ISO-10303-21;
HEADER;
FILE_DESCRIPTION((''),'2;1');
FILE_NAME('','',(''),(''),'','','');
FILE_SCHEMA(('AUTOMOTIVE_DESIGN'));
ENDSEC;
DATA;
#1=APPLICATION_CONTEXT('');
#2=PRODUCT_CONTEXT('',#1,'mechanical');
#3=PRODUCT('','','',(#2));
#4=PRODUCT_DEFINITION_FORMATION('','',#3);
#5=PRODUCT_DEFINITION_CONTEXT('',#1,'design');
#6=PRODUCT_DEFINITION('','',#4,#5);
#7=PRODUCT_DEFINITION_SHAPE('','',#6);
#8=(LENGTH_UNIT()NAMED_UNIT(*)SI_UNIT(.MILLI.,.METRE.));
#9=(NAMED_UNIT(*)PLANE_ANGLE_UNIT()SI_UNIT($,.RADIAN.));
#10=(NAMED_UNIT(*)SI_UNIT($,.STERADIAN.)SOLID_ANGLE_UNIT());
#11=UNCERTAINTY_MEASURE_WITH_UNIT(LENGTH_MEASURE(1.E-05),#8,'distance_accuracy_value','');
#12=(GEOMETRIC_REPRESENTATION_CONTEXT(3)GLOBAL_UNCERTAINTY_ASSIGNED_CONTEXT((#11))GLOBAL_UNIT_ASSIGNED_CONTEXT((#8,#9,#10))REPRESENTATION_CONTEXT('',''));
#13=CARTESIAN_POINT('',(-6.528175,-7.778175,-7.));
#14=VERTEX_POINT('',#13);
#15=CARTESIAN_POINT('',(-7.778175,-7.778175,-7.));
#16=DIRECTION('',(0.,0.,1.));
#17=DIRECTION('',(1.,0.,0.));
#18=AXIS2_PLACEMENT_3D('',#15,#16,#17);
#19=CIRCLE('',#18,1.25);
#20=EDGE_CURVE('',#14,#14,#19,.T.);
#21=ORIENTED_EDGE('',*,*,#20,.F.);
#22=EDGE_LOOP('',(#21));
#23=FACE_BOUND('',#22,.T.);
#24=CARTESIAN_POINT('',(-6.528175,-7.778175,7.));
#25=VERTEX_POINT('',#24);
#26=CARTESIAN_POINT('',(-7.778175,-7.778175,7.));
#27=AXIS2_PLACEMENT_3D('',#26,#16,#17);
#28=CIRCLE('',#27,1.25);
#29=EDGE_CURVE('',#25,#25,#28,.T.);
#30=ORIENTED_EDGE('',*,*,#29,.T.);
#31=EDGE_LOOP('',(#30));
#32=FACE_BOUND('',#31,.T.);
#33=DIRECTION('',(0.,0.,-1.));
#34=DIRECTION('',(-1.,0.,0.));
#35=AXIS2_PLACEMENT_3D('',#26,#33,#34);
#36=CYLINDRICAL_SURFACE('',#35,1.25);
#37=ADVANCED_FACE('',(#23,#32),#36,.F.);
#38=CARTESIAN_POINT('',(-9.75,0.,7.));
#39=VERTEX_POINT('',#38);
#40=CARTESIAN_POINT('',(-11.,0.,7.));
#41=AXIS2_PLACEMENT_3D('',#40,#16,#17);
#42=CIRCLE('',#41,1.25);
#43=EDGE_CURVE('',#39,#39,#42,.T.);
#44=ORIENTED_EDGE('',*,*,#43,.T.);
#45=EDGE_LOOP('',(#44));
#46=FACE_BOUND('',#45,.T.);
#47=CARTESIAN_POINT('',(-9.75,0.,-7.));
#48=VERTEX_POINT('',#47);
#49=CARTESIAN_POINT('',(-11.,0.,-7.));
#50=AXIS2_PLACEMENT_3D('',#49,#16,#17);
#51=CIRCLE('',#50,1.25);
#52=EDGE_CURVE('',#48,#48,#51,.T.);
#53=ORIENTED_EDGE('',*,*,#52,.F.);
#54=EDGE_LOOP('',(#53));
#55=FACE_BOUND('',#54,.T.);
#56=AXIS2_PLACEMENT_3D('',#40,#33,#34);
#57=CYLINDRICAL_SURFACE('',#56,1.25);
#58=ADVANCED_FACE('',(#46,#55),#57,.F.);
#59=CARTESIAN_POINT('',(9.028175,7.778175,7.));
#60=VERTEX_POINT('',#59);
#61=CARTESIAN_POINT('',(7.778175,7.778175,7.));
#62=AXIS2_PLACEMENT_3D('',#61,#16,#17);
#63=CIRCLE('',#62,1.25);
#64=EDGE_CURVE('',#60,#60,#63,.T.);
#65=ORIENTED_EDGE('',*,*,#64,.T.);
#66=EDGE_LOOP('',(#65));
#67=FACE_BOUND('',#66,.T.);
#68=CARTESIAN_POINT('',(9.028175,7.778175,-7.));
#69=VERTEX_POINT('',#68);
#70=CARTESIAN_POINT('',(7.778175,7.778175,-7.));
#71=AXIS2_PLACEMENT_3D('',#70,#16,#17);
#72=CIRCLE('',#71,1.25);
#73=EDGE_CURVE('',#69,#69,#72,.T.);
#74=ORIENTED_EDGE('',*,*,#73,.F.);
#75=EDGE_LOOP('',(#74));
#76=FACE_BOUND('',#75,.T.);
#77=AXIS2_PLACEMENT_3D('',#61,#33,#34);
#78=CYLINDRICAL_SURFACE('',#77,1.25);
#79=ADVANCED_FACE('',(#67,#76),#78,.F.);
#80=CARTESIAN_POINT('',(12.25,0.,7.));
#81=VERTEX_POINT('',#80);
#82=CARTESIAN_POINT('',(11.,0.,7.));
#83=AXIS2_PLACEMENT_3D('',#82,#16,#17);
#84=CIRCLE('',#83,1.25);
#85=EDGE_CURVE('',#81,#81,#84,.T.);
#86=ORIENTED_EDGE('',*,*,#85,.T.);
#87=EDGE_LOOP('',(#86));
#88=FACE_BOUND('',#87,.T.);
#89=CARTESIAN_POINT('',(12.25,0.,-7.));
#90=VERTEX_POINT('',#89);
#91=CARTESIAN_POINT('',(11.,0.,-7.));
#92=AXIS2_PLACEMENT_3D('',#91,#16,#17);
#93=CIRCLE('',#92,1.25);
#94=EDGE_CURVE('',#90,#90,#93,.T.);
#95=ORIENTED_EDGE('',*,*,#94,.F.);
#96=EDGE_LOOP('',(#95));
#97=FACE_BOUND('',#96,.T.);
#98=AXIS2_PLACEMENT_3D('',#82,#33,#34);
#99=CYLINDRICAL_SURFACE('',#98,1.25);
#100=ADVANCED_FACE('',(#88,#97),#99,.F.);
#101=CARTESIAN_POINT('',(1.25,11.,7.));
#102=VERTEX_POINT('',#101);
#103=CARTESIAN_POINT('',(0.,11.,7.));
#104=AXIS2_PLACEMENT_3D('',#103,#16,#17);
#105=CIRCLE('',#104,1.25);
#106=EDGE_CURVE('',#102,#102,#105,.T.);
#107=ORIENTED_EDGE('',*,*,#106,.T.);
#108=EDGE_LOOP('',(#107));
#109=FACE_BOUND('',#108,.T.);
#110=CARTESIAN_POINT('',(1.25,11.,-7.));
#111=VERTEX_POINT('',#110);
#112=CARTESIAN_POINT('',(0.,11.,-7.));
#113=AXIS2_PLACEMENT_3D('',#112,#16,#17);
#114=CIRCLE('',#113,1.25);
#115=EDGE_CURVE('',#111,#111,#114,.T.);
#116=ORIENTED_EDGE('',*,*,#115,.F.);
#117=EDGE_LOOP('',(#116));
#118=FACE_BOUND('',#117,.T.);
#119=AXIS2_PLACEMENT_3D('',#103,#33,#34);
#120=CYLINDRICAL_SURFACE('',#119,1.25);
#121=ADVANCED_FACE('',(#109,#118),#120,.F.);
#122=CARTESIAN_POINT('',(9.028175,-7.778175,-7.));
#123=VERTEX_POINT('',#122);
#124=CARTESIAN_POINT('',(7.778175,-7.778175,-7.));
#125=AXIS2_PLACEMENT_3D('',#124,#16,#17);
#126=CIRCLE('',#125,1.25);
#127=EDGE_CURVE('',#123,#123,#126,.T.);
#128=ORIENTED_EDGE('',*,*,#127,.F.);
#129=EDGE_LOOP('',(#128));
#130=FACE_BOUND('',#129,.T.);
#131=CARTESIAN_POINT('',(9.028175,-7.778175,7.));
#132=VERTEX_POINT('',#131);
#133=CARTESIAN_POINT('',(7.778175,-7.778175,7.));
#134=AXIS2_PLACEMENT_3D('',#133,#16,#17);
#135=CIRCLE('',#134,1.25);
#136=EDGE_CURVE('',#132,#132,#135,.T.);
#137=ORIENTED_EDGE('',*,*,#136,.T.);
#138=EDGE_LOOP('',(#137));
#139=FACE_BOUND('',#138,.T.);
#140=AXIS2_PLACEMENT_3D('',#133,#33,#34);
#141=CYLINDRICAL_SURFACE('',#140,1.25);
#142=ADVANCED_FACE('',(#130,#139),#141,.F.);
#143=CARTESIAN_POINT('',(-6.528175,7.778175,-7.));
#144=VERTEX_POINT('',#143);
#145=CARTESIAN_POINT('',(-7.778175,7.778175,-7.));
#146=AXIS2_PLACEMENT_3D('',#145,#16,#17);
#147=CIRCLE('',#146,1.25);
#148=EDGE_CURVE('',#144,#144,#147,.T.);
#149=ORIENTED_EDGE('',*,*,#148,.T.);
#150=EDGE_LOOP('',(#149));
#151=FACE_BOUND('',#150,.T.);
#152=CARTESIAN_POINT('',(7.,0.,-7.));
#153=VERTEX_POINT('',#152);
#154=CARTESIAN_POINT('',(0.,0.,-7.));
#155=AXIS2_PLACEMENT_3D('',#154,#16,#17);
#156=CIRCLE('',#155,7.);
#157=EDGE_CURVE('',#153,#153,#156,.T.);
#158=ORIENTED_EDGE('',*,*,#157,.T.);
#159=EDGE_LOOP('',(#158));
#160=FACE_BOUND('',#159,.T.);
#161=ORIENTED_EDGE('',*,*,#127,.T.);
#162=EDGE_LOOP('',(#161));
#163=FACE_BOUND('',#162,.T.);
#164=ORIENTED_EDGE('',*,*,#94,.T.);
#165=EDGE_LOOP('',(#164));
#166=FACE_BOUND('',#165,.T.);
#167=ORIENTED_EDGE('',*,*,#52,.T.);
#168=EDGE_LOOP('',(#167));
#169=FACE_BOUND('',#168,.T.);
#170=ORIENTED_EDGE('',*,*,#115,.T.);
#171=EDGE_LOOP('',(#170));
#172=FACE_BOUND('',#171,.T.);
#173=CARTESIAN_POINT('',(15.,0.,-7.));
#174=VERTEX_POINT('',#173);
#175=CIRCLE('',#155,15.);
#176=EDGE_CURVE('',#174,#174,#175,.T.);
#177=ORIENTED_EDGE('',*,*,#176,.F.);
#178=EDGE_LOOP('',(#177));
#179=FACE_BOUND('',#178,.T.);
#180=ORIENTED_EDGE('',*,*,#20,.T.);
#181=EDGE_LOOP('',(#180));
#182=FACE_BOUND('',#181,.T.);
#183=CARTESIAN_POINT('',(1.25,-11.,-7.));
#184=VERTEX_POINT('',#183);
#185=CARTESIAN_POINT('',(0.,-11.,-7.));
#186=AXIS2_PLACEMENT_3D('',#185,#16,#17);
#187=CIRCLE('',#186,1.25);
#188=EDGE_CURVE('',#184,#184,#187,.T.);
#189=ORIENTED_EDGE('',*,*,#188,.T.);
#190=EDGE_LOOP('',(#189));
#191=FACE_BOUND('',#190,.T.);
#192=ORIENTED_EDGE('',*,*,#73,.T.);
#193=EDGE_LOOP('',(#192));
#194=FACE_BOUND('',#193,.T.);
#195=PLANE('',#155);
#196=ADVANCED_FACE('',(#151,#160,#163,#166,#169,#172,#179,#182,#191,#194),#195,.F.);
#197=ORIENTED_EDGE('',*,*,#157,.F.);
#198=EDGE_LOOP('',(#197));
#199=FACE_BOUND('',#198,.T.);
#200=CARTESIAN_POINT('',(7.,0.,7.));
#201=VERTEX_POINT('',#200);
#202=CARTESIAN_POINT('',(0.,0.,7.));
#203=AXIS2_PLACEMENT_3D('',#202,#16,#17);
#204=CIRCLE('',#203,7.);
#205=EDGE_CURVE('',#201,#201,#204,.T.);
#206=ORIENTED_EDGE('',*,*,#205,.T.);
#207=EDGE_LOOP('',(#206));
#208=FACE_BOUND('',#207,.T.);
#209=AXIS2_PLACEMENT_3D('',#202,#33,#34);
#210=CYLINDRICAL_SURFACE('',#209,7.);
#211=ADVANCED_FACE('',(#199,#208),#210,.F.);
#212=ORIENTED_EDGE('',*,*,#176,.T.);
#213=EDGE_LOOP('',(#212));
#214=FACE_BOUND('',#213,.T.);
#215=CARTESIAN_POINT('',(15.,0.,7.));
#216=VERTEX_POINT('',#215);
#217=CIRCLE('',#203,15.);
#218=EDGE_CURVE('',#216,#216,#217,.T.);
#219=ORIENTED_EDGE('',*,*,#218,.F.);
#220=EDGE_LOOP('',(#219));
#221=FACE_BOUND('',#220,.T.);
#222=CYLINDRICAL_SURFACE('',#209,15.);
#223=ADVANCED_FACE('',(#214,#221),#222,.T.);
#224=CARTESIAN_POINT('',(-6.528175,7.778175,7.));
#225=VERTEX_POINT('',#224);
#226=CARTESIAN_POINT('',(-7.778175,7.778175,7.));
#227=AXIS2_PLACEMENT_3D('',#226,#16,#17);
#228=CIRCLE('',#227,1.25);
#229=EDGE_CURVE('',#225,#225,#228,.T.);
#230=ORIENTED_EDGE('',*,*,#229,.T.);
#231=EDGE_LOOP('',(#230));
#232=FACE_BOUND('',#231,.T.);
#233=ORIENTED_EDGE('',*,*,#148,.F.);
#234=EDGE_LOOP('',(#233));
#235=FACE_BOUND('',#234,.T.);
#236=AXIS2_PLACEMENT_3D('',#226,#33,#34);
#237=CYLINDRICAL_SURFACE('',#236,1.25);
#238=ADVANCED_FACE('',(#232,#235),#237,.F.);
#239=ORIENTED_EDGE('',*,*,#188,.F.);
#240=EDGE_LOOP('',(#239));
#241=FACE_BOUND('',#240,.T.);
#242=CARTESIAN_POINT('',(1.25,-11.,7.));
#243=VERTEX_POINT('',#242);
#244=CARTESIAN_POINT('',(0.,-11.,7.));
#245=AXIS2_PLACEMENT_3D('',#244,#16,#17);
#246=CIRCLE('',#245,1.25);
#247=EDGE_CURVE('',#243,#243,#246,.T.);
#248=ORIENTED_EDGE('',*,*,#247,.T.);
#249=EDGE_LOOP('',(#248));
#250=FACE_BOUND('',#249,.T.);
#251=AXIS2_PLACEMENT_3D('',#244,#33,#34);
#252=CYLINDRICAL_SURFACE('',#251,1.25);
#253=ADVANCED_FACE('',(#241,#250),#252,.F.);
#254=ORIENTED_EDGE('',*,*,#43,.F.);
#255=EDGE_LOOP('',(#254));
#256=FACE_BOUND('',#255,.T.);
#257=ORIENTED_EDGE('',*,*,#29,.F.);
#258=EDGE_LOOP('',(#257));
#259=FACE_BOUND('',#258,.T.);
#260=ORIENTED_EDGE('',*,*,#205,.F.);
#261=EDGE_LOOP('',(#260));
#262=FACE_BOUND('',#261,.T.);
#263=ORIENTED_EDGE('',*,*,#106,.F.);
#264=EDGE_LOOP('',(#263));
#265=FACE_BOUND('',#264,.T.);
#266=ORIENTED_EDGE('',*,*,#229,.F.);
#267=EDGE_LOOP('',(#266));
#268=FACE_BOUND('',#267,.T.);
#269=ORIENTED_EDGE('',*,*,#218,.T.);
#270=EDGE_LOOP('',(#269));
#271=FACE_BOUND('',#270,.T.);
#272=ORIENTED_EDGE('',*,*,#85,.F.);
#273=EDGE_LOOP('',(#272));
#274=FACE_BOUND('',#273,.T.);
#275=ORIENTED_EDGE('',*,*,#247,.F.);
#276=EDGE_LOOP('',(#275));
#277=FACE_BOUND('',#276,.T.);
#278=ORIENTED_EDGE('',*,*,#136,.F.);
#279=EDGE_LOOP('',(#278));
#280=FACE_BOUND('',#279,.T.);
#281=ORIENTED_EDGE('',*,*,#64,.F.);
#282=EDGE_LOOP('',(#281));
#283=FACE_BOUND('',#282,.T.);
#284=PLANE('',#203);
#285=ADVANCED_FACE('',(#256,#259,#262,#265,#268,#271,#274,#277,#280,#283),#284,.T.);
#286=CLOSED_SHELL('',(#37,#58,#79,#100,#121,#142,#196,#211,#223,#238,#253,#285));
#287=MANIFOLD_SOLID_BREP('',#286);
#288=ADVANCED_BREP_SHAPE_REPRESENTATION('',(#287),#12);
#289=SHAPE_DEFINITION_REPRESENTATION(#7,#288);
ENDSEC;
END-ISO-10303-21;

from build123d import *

# Parameters (mm, degrees)
ESBO_O1_R                = 15
ESBO_O1_R_2              = 7
ESBO_O1_R_3              = 1.25
RESSALTO_EXTRUS_O1_DEPTH = 7


with BuildPart() as part:
    # Esboço1 → Ressalto-extrusão1 (new, symmetric)
    with BuildSketch(Plane.XY):
        Circle(ESBO_O1_R)
        Circle(ESBO_O1_R_2, mode=Mode.SUBTRACT)
        with Locations((0, 11)):
            Circle(ESBO_O1_R_3, mode=Mode.SUBTRACT)
        with Locations((7.778174593, 7.778174593)):
            Circle(ESBO_O1_R_3, mode=Mode.SUBTRACT)
        with Locations((11, 0)):
            Circle(ESBO_O1_R_3, mode=Mode.SUBTRACT)
        with Locations((7.778174593, -7.778174593)):
            Circle(ESBO_O1_R_3, mode=Mode.SUBTRACT)
        with Locations((0, -11)):
            Circle(ESBO_O1_R_3, mode=Mode.SUBTRACT)
        with Locations((-7.778174593, -7.778174593)):
            Circle(ESBO_O1_R_3, mode=Mode.SUBTRACT)
        with Locations((-11, 0)):
            Circle(ESBO_O1_R_3, mode=Mode.SUBTRACT)
        with Locations((-7.778174593, 7.778174593)):
            Circle(ESBO_O1_R_3, mode=Mode.SUBTRACT)
    extrude(amount=RESSALTO_EXTRUS_O1_DEPTH, both=True)


solid = part.part
